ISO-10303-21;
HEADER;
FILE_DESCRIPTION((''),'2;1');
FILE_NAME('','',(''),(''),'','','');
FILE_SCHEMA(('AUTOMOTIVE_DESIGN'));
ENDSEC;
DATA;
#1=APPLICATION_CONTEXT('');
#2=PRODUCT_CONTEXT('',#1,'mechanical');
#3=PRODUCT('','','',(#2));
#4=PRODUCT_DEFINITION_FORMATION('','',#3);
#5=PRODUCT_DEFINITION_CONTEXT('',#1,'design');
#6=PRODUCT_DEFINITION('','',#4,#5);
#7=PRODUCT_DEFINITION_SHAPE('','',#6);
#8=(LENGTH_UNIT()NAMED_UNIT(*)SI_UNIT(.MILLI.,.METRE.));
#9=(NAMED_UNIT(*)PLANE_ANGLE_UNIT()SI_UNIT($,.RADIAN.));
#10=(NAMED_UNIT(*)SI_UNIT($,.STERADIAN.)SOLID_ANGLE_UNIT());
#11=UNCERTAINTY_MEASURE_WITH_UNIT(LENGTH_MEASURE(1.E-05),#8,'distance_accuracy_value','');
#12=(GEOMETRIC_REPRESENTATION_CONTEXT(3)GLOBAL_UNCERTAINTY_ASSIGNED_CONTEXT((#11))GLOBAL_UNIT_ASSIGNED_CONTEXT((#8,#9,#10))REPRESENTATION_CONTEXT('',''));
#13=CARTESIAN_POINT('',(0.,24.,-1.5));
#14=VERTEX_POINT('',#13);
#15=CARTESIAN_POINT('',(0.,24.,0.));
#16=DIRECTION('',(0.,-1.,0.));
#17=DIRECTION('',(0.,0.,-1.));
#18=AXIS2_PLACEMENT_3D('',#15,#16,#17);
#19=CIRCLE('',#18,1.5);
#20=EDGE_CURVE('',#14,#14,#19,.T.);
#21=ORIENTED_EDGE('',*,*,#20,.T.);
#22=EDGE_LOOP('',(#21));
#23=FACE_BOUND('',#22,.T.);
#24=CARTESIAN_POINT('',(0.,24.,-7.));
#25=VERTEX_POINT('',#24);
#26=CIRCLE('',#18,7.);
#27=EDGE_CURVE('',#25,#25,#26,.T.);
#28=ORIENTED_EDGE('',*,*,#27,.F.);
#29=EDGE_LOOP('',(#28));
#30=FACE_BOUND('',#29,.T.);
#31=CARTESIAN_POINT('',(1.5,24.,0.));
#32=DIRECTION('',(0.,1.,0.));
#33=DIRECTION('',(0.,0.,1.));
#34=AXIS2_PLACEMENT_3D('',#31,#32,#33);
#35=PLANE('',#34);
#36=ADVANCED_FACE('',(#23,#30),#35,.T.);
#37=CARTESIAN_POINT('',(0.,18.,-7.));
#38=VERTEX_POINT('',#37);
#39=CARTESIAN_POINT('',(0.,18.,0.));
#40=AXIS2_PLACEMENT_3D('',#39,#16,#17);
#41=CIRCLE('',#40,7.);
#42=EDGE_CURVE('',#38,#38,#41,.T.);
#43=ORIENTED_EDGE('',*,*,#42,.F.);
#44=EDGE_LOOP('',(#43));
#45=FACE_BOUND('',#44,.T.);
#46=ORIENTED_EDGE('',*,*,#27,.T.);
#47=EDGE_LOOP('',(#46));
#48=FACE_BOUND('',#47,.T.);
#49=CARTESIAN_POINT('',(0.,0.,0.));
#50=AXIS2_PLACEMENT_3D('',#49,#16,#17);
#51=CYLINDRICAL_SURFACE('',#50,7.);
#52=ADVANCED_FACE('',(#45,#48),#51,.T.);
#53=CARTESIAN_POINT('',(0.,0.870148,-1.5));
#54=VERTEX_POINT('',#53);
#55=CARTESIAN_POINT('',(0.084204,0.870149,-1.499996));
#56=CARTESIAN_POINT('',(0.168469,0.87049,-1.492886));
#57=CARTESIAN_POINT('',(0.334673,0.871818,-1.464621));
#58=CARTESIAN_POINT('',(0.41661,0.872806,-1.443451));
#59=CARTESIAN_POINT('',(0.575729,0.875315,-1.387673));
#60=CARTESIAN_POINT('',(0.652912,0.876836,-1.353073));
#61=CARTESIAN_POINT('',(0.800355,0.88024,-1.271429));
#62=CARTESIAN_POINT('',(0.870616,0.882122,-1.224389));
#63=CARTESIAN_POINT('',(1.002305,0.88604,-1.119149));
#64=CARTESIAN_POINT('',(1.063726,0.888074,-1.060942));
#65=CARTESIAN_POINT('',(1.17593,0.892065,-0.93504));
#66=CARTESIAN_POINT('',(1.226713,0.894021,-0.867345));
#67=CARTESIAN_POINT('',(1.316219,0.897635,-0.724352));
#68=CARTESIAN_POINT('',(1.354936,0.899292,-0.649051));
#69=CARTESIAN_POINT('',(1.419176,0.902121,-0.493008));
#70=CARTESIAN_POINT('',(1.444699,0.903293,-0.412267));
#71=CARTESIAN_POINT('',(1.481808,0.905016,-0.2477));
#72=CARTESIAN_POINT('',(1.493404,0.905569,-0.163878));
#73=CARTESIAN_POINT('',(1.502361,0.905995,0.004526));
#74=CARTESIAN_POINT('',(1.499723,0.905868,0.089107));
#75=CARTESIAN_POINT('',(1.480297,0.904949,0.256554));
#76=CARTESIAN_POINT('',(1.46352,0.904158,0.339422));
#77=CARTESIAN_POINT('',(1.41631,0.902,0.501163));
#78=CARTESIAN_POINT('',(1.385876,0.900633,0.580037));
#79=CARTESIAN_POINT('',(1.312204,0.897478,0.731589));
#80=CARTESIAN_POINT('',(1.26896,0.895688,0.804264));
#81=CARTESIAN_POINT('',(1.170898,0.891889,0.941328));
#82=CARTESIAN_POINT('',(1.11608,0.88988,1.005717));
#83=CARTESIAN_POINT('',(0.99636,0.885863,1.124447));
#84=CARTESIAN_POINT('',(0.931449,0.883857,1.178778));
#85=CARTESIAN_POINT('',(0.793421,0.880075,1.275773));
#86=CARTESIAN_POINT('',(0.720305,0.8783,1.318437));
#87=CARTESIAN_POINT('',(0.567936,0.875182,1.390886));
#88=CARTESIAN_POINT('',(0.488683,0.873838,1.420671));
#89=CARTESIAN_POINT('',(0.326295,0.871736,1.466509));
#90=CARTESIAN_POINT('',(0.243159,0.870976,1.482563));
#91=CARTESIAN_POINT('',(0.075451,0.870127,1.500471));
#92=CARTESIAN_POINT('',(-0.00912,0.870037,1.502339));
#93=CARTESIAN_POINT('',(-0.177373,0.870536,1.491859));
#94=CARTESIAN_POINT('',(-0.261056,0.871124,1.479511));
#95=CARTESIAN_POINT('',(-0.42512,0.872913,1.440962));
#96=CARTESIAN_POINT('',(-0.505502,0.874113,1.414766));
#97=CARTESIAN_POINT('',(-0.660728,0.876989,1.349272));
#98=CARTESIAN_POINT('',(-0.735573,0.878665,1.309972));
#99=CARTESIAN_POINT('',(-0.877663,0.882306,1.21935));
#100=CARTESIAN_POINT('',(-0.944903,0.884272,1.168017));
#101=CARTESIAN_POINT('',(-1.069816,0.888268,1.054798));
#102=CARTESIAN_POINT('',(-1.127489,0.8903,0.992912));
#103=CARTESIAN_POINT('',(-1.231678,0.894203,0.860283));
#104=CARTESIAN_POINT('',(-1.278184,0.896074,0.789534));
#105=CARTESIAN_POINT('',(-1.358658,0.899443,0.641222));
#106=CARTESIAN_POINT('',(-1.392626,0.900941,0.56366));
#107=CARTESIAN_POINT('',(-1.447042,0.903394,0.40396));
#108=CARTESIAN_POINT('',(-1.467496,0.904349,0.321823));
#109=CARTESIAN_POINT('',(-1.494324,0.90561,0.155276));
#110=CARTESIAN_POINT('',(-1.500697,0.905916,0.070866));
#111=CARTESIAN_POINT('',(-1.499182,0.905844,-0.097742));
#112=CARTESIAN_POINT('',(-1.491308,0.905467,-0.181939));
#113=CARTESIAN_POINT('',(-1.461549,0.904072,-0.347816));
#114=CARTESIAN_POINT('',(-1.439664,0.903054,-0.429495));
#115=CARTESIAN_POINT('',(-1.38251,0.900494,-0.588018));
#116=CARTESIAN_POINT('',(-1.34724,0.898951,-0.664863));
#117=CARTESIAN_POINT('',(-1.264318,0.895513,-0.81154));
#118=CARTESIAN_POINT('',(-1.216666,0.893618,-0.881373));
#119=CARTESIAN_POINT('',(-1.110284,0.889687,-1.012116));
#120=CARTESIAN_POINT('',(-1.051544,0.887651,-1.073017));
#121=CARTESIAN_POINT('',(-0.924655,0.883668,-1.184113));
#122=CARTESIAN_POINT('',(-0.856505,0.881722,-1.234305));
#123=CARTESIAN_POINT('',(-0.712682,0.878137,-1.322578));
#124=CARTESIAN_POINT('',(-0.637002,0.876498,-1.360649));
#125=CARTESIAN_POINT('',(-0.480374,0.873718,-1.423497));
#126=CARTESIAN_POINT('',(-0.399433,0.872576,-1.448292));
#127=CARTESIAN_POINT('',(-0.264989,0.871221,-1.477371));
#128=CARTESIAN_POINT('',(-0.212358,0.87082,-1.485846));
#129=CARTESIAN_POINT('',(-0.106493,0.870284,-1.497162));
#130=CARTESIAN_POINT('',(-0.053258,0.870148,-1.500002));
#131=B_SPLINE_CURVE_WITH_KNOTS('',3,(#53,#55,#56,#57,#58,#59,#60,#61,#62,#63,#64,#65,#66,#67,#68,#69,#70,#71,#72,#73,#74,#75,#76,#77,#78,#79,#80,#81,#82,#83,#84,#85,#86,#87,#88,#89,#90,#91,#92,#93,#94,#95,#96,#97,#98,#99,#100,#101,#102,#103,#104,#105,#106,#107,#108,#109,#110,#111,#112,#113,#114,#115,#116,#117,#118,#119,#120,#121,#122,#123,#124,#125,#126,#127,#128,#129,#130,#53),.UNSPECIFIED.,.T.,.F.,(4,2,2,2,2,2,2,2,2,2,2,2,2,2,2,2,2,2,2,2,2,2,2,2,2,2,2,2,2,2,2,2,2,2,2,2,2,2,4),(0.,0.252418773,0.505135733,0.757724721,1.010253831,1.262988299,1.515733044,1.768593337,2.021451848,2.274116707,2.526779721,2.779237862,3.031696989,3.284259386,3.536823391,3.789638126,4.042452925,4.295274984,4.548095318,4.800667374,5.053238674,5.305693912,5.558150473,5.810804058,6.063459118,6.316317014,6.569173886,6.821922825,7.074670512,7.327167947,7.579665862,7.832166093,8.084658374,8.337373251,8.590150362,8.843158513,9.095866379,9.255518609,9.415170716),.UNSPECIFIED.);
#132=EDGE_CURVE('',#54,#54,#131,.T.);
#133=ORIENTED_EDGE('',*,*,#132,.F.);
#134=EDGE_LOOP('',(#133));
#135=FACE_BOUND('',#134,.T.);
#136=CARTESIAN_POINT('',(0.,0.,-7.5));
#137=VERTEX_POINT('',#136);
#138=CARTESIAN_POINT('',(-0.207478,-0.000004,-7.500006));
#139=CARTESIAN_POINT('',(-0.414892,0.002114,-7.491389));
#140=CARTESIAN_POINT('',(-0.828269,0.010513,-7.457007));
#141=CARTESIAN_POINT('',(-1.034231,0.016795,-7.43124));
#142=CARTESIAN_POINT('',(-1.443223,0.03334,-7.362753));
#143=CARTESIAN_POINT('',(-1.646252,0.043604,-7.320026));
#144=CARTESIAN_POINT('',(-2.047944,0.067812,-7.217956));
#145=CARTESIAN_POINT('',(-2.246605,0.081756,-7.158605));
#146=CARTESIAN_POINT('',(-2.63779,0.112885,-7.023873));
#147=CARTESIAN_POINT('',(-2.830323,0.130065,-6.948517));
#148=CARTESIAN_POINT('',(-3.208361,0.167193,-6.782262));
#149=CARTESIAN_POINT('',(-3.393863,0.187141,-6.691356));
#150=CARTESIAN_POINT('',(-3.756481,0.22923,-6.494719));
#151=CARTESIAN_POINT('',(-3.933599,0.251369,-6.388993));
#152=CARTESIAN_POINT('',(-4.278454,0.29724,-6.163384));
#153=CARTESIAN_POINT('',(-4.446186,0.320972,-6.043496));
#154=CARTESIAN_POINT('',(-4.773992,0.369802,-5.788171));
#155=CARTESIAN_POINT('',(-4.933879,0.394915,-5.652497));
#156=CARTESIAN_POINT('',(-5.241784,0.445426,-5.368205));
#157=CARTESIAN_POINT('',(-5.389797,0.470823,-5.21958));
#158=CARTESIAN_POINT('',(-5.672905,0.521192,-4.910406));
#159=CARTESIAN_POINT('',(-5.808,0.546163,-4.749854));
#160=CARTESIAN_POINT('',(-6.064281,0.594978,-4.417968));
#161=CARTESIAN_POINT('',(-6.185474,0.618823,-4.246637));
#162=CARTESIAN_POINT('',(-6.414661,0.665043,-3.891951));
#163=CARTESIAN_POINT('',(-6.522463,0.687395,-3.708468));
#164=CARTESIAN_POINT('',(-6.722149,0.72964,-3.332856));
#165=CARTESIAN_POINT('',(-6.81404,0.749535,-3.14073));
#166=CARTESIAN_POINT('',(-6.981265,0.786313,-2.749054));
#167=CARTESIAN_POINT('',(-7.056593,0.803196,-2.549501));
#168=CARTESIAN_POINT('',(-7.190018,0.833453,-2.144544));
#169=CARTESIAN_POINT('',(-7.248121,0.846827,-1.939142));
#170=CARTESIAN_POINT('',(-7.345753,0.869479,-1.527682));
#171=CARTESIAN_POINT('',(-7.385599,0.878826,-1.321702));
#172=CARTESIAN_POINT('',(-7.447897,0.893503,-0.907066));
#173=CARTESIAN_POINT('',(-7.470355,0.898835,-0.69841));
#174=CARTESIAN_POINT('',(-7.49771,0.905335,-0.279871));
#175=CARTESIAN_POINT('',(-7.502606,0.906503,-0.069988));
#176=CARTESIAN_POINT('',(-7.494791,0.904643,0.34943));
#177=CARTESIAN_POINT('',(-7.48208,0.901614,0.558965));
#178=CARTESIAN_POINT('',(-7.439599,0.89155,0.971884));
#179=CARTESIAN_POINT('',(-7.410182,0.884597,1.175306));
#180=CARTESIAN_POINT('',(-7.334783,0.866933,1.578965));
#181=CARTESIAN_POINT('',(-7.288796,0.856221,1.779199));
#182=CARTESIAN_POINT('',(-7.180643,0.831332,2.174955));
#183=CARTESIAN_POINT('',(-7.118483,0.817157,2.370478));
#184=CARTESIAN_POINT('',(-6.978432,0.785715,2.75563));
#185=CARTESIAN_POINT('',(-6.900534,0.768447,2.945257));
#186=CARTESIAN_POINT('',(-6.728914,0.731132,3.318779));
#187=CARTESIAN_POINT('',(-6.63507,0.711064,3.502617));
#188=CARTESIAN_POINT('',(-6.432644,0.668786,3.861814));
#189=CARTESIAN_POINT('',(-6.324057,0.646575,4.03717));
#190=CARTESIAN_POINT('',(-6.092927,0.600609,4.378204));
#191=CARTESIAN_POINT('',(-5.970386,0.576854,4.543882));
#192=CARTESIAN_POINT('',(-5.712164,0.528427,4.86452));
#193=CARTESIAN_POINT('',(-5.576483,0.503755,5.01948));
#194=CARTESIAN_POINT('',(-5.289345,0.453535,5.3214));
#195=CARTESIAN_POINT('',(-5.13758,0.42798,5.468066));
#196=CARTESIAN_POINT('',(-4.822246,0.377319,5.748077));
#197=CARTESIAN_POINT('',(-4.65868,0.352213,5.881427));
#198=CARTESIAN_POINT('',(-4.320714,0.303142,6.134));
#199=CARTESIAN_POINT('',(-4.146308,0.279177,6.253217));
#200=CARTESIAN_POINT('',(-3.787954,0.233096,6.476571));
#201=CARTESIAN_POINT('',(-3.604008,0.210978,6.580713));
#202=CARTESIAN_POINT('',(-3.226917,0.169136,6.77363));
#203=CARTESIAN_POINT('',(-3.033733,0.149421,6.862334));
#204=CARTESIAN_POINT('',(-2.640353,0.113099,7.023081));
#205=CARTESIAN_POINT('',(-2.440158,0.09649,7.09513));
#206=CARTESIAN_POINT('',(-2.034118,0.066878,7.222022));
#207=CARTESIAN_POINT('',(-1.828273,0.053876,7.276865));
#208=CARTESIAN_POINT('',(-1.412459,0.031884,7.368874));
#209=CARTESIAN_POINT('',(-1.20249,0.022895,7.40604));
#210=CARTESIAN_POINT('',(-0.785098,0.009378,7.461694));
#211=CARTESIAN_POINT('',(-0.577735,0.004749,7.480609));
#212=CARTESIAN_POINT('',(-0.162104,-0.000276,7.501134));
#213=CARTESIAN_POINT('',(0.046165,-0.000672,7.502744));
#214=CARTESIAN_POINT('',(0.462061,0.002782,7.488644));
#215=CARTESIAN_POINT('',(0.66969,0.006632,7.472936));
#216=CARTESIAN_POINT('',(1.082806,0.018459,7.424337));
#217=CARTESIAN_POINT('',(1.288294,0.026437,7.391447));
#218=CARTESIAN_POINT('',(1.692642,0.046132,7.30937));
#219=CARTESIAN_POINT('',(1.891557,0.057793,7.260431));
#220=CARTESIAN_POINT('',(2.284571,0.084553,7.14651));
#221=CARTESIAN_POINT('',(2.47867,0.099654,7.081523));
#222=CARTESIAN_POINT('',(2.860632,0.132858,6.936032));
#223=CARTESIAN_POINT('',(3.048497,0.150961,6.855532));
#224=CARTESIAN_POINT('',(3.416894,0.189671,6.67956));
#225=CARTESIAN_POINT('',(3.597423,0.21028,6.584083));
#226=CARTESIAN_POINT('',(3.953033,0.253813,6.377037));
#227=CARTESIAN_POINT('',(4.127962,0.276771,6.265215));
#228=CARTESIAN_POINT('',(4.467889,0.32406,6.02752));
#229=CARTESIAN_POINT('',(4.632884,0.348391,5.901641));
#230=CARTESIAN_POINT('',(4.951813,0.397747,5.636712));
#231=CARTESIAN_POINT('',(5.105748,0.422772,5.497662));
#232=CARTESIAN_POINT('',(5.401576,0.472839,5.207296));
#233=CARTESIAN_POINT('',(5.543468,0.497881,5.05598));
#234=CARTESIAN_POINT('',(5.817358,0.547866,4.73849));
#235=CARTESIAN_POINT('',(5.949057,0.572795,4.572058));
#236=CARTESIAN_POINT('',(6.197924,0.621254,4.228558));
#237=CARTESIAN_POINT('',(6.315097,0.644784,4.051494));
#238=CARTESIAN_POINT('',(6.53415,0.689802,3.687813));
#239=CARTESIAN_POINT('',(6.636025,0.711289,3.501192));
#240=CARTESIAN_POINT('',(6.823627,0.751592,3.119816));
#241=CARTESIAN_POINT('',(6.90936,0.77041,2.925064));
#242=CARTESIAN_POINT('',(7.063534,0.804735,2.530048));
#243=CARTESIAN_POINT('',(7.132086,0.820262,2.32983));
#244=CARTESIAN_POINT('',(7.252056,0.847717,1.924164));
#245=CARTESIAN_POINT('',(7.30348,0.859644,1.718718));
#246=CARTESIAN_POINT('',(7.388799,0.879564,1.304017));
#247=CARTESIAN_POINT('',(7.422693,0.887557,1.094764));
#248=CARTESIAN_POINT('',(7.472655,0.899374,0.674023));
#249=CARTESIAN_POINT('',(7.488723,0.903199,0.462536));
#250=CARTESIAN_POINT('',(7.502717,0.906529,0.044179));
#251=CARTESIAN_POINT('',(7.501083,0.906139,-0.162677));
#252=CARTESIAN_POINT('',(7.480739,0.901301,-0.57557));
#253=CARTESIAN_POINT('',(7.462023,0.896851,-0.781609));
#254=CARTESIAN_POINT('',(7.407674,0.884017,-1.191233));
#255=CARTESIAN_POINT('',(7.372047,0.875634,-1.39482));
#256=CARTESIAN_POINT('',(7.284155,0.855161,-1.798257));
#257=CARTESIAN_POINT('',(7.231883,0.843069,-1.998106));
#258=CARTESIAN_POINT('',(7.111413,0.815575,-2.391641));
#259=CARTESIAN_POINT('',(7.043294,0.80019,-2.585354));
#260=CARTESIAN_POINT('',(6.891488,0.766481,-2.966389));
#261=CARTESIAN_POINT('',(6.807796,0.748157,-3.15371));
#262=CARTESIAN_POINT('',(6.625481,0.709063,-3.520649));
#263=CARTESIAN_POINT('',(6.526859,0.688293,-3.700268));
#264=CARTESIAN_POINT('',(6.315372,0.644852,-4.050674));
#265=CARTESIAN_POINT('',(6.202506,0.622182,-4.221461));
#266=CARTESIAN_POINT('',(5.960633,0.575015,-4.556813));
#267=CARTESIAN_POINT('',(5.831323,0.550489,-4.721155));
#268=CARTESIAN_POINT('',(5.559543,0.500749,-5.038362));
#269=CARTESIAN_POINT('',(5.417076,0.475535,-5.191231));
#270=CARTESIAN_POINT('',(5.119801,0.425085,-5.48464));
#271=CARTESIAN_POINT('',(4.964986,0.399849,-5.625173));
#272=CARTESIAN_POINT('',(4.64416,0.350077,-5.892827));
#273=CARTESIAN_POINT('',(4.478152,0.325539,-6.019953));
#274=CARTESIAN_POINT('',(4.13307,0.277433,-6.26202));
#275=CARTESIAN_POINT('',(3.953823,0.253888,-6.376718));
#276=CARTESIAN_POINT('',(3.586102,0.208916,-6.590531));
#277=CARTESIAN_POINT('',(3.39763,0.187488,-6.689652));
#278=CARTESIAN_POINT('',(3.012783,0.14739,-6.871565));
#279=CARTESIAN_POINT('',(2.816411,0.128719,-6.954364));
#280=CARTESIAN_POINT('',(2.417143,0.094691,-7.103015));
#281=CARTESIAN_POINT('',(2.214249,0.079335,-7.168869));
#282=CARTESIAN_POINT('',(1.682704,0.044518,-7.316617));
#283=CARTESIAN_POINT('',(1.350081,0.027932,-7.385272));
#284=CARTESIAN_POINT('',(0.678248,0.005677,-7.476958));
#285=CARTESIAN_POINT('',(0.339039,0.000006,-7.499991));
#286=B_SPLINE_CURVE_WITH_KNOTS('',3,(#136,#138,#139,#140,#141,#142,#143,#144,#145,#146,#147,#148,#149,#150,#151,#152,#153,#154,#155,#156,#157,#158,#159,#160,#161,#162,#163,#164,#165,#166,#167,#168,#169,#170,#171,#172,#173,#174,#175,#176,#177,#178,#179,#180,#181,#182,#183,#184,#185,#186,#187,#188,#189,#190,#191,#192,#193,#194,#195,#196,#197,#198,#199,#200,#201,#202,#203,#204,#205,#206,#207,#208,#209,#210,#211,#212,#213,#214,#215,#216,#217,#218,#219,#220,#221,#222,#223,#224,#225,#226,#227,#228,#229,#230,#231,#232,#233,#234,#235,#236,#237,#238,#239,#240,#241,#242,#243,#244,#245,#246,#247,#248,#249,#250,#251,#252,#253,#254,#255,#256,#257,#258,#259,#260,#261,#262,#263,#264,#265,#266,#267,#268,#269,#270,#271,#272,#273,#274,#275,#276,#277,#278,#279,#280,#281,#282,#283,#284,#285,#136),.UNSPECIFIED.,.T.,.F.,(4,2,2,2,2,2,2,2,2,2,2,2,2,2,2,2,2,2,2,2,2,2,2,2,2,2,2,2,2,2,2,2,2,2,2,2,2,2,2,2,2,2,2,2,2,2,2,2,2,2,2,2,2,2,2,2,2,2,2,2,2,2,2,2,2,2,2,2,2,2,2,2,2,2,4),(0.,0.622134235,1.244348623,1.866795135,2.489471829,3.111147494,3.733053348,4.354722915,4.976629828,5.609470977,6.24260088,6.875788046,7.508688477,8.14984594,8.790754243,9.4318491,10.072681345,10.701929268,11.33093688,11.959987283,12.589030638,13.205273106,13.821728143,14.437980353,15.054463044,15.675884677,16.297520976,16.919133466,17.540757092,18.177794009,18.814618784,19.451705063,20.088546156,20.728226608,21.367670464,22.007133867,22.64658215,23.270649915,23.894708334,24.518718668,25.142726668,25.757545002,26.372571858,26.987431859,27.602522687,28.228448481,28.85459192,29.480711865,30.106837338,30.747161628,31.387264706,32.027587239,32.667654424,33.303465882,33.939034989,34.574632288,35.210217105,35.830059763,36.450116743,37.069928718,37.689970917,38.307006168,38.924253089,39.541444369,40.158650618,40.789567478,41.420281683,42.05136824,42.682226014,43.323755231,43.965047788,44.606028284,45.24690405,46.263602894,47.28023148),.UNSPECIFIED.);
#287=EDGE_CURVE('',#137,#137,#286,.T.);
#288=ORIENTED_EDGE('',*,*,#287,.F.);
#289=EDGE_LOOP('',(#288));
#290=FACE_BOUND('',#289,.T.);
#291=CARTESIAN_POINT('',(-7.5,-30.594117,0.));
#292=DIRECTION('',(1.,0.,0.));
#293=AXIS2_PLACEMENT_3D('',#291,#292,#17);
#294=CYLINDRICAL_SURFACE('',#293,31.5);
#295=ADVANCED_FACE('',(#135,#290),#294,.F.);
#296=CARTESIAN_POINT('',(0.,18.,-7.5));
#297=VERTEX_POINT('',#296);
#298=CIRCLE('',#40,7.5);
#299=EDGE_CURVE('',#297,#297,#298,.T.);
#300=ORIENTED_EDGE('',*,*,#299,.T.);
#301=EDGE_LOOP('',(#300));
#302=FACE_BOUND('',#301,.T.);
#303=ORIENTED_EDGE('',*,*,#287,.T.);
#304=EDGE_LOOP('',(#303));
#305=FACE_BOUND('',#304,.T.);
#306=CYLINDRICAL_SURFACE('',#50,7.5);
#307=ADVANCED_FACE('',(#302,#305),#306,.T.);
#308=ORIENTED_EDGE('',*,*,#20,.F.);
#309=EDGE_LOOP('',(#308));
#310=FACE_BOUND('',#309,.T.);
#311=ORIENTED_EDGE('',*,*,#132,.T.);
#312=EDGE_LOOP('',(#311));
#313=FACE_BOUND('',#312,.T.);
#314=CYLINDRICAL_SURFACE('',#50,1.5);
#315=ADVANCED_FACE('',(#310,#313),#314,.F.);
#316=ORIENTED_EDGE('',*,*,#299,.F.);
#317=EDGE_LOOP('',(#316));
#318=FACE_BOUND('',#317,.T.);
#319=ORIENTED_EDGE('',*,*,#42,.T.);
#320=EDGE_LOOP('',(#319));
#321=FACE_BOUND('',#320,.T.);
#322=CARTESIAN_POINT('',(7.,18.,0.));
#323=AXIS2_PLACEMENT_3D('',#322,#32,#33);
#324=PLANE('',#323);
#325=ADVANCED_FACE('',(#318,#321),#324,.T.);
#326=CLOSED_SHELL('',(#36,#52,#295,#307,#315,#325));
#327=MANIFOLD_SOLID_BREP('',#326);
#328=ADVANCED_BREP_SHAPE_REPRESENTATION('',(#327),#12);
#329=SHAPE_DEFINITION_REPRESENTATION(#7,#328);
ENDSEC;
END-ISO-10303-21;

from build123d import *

# Parameters (mm, degrees)
CORTAR_EXTRUIR1_DEPTH      = 27.239283527
CORTAR_EXTRUIR1_DEPTH_BACK = 27.239283527


with BuildPart() as part:
    # Croquis1 → Revolución1 (revolve)
    with BuildSketch(Plane.XY, mode=Mode.PRIVATE) as revoluci_n1_sk:
        Polygon((7, 24), (7, 18), (7.5, 18), (7.5, 0), (1.5, 0), (1.5, 24), align=None)
    revolve(revoluci_n1_sk.sketch.rotate(Axis((0, 0, 0), (0, 1, 0)), 90), axis=Axis((0, 0, 0), (0, 1, 0)))

    # Croquis2 → Cortar-Extruir1 (cut, two sides: drawn at the far end of the back side and taken through both)
    with BuildSketch(Plane(origin=(0, 0, 0), x_dir=(0, 0, -1), z_dir=(1, 0, 0)).offset(-CORTAR_EXTRUIR1_DEPTH_BACK)):
        with BuildLine():
            Line((-7.5, 0), (7.5, 0))
            ThreePointArc((7.5, 0), (0, 0.905882918), (-7.5, 0))
        make_face()
    extrude(amount=CORTAR_EXTRUIR1_DEPTH + CORTAR_EXTRUIR1_DEPTH_BACK, mode=Mode.SUBTRACT)


solid = part.part
